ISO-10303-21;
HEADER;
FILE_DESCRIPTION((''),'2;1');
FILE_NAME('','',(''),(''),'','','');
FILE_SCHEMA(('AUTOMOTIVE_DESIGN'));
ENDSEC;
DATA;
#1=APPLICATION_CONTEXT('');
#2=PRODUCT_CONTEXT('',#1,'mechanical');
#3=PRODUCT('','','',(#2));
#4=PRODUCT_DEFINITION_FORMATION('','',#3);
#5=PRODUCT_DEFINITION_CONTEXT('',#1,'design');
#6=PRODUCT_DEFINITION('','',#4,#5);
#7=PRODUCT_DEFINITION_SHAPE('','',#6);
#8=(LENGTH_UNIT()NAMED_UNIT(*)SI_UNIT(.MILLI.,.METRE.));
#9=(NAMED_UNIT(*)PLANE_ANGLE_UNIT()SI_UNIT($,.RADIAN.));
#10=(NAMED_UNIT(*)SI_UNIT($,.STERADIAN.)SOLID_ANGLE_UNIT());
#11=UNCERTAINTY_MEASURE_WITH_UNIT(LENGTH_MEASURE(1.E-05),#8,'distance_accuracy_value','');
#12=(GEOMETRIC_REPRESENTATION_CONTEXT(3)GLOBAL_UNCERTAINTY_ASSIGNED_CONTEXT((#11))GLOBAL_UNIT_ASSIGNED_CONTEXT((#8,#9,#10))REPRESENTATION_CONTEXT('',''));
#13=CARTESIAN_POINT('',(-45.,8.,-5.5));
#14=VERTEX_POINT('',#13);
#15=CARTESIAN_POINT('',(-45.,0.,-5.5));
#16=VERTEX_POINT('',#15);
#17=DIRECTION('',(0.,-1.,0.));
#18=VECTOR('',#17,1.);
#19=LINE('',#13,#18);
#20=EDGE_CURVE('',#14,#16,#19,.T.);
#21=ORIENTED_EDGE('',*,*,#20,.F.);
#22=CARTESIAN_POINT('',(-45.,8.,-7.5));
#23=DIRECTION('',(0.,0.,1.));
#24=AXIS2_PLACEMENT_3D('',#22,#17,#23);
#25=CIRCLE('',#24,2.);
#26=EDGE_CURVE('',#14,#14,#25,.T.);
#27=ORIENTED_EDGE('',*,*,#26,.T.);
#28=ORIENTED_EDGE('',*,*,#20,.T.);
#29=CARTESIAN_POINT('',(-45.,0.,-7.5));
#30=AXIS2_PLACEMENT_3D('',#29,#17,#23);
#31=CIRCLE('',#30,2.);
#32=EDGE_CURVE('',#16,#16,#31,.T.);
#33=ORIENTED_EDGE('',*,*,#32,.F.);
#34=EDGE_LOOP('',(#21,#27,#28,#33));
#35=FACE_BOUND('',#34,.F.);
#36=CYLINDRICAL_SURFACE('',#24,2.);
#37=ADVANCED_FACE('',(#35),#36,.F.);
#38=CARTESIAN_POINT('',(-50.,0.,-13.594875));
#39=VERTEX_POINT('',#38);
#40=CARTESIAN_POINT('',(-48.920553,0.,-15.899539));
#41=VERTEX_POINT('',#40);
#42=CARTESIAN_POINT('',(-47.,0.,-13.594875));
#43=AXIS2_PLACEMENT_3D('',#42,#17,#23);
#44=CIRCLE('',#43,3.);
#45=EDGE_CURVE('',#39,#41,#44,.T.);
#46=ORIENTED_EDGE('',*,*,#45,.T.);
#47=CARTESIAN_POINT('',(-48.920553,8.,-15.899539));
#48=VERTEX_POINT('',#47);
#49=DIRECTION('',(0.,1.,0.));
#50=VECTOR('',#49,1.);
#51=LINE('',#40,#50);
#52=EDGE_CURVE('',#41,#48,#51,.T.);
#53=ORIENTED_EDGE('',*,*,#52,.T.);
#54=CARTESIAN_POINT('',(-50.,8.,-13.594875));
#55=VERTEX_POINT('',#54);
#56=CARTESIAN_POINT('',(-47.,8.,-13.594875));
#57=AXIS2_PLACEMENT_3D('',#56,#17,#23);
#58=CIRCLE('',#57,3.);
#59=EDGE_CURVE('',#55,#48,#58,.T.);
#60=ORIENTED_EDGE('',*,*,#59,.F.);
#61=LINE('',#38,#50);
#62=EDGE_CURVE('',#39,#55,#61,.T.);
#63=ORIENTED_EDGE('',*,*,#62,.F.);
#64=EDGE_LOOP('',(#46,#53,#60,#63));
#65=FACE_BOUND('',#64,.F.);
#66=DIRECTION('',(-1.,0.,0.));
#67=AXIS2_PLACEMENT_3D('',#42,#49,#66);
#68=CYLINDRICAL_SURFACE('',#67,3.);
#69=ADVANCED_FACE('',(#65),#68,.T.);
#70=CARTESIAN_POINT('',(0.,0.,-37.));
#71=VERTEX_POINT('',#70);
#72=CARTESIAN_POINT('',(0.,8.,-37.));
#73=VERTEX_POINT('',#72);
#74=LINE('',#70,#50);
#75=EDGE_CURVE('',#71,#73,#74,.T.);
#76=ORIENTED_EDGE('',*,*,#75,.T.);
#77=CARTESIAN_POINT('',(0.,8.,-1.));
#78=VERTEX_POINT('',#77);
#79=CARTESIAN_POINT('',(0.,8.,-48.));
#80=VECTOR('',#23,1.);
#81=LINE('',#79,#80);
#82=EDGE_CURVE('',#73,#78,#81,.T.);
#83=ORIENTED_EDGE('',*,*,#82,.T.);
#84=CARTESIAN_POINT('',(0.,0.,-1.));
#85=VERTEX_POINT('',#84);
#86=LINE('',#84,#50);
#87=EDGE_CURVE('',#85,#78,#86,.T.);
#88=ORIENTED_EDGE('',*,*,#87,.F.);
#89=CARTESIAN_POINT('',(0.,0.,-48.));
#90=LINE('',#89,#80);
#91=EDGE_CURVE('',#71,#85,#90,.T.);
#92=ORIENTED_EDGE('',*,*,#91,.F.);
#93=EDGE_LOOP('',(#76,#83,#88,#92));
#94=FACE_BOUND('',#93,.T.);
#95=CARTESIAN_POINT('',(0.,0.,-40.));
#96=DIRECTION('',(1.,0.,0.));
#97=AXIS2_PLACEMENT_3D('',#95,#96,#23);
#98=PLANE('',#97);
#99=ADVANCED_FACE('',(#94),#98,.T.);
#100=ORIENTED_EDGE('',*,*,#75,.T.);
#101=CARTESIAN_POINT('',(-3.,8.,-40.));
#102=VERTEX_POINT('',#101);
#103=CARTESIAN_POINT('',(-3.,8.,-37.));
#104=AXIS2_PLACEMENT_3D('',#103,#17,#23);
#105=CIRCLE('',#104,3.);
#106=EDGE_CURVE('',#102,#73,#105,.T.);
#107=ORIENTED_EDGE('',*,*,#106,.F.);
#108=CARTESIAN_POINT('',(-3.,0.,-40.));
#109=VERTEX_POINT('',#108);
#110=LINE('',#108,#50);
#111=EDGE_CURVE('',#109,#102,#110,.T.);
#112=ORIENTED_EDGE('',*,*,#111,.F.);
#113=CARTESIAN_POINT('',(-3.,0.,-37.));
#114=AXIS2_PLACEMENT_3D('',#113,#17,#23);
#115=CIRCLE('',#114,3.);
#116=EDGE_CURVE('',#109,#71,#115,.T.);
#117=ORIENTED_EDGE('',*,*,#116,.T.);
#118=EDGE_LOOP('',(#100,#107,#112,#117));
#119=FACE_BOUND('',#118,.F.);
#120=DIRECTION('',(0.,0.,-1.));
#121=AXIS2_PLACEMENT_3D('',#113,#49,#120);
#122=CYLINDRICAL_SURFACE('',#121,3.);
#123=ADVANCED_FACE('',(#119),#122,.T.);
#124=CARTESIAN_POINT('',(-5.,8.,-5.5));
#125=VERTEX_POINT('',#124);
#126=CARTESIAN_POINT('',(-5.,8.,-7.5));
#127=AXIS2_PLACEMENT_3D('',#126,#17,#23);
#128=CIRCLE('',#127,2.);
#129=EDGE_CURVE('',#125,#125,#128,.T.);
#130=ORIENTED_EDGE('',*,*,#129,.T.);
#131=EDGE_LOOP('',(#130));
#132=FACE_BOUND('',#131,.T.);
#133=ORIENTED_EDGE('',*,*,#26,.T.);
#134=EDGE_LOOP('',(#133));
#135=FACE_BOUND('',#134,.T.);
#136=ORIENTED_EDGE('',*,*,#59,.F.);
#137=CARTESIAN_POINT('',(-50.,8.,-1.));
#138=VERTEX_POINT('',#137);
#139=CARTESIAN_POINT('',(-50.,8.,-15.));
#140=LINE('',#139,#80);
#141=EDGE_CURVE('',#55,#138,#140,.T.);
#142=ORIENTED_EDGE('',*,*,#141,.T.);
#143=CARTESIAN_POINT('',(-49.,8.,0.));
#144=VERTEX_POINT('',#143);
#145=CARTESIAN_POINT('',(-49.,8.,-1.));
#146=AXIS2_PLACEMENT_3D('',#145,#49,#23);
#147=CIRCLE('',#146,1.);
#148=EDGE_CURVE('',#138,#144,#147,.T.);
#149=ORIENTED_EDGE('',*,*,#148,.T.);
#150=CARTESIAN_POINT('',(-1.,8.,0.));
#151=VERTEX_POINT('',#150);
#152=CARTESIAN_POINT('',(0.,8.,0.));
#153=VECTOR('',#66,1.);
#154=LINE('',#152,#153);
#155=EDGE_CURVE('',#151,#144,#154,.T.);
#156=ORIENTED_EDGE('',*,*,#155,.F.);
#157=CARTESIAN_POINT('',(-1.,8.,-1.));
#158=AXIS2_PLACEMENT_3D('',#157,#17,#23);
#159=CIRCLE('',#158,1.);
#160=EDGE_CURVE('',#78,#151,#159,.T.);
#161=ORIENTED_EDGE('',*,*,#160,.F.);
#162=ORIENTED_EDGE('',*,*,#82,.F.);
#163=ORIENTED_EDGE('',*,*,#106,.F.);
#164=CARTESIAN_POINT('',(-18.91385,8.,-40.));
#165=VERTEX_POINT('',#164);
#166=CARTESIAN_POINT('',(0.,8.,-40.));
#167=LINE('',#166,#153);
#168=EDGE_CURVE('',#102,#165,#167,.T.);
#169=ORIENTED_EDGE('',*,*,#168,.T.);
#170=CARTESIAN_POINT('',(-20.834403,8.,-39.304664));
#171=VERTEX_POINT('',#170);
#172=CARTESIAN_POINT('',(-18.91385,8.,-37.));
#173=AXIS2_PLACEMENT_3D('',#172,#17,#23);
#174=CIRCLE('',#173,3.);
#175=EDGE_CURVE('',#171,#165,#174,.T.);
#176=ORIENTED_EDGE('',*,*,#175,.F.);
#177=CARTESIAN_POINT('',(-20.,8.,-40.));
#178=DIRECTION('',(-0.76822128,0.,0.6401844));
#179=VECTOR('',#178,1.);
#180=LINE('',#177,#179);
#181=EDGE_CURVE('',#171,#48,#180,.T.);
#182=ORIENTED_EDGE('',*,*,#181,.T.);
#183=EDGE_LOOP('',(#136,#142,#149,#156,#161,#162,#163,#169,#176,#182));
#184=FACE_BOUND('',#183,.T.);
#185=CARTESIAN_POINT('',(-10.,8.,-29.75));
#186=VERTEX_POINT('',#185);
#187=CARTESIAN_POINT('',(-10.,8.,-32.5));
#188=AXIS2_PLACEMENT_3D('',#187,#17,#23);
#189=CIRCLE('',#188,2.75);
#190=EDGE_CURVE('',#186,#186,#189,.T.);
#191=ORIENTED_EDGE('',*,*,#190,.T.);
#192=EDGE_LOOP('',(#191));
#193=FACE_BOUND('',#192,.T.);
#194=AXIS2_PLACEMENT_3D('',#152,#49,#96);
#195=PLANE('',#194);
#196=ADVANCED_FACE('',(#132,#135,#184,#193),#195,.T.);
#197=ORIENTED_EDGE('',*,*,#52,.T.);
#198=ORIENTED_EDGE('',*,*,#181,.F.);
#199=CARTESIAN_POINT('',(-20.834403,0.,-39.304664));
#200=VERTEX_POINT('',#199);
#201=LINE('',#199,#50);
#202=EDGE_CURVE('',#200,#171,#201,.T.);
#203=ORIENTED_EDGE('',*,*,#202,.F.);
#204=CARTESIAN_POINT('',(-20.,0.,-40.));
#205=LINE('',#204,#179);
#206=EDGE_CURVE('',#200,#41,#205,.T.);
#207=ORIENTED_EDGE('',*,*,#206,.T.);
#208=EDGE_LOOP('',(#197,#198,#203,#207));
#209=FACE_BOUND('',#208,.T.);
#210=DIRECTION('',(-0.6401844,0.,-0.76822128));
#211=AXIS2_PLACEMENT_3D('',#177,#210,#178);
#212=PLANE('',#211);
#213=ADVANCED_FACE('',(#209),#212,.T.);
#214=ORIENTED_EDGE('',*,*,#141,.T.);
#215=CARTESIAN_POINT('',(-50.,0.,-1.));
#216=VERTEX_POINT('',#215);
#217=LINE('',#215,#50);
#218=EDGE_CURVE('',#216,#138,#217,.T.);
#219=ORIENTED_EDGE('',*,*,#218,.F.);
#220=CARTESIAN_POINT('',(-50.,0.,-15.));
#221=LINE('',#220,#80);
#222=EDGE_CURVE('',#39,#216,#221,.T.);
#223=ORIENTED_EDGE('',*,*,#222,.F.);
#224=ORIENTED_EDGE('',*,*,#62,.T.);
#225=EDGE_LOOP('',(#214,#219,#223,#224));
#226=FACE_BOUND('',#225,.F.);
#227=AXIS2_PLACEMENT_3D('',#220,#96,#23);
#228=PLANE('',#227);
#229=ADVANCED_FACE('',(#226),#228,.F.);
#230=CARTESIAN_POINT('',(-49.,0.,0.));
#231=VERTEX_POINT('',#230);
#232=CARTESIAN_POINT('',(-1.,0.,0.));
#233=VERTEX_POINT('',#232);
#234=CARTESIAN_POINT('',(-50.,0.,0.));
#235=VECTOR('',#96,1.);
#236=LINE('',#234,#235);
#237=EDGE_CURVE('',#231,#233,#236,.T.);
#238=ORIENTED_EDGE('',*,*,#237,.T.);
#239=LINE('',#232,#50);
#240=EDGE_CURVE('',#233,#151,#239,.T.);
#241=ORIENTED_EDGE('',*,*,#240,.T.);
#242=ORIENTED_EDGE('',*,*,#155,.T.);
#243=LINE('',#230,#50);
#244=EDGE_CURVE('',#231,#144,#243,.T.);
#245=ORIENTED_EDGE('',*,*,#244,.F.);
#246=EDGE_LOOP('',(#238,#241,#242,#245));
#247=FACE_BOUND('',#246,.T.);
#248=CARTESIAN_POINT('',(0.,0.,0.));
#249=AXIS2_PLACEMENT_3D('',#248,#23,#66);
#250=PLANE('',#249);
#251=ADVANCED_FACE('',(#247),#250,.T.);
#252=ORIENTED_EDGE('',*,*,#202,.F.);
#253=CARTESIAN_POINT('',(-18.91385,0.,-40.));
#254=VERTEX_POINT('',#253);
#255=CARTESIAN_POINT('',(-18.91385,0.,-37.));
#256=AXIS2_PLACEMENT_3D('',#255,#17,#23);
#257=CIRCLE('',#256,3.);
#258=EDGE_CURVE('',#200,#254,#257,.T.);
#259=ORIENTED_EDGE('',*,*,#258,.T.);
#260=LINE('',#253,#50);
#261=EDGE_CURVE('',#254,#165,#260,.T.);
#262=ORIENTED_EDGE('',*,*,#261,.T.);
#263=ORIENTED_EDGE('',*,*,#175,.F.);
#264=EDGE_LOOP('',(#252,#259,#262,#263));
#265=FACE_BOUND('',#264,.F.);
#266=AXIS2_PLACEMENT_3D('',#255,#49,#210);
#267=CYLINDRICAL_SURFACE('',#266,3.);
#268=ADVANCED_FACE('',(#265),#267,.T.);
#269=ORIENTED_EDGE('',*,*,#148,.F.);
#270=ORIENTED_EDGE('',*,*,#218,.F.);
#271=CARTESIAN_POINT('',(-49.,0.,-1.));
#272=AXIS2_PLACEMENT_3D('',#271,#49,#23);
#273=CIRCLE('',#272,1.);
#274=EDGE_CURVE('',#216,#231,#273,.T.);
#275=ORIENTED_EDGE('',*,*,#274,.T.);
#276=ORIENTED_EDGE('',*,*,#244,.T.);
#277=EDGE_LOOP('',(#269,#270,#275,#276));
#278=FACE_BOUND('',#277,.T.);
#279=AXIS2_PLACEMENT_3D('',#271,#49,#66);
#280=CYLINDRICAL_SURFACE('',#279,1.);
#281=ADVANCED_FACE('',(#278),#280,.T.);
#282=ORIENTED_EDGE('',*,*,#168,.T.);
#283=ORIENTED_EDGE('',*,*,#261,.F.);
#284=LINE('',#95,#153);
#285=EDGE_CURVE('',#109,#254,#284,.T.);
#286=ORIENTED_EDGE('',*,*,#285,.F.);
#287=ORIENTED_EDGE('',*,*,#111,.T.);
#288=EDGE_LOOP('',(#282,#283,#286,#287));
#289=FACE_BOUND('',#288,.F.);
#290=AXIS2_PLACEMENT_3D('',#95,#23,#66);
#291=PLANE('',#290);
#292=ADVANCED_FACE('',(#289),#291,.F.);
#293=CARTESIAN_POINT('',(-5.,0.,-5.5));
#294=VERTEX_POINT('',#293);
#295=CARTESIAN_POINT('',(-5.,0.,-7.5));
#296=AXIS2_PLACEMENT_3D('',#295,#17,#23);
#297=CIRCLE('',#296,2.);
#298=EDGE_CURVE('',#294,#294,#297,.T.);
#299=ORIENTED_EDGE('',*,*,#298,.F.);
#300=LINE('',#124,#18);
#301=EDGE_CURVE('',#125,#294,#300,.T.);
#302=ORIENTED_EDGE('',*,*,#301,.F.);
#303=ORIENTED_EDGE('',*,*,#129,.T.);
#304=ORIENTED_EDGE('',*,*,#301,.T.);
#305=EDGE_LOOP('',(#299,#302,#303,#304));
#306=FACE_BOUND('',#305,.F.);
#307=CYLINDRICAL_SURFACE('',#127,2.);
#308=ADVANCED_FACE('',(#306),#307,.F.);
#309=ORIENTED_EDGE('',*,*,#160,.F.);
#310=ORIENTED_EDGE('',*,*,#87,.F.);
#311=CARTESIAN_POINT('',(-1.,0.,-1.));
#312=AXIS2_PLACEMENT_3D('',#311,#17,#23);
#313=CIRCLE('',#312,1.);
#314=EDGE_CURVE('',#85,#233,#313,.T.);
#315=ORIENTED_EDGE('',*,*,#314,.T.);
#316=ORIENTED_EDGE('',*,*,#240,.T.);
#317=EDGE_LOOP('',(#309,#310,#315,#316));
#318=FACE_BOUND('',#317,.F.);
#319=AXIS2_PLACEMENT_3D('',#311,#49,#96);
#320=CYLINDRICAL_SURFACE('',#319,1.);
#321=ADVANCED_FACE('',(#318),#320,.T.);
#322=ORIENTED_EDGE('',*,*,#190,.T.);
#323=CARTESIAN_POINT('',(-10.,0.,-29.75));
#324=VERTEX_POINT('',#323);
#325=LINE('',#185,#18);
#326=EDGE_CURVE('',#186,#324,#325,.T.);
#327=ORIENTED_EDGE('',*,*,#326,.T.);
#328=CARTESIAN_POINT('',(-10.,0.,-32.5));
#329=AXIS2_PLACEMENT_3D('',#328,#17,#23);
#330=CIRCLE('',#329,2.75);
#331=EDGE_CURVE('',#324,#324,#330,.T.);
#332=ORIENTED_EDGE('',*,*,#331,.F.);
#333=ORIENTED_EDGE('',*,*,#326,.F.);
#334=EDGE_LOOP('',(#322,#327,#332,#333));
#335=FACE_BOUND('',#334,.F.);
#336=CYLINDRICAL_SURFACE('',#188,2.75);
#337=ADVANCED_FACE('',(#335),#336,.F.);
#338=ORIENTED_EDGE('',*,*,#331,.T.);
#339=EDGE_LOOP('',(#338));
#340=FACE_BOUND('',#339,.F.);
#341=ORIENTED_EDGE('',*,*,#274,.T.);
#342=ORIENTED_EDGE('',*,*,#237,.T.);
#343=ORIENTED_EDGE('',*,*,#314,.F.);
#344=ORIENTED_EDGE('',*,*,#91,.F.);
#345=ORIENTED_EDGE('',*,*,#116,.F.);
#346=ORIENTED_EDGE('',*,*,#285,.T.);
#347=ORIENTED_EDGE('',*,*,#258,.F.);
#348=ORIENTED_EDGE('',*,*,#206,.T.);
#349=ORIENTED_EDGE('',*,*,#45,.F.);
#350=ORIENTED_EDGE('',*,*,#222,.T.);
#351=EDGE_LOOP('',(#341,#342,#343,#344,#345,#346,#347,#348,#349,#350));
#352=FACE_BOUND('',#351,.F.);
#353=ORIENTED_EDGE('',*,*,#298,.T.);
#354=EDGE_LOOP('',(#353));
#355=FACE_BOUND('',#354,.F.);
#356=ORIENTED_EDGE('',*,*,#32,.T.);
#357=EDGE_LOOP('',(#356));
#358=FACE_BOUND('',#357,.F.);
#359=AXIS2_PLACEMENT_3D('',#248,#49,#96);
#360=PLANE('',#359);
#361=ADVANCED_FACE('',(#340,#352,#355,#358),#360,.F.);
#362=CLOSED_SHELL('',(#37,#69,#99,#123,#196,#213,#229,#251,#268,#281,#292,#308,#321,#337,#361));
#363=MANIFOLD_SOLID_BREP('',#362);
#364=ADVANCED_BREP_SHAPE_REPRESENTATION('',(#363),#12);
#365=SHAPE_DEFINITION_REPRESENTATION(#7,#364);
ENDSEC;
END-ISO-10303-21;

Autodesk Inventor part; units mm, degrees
ref_plane "YZ Plane" through (0, 0, 0) normal (1, 0, 0) x (0, 1, 0)
ref_plane "XZ Plane" through (0, 0, 0) normal (0, 1, 0) x (-1, 0, 0)
ref_plane "XY Plane" through (0, 0, 0) normal (0, 0, 1) x (1, 0, 0)
sketch "Skizze1" plane through (0, 0, 0) normal (0, 1, 0) x (-1, 0, 0)
  line L0 (0, -48) -> (0, 8) projected
  line L1 (-10, 0) -> (60, 0) projected
  line L2 (12.9651, 0) -> (0, 0)
  line L3 (0, 0) -> (0, -40)
  line L4 (0, -40) -> (20, -40)
  line L5 (20, -40) -> (20, -15)
  line L6 (20, -15) -> (50, -15)
  line L7 (50, -15) -> (50, 0)
  line L8 (50, 0) -> (12.9651, 0)
  dimension "d0" = 40
  dimension "d1" = 15
  dimension "d2" = 50
  dimension "d5" = 20
extrude "Extrusion1" add sketch "Skizze1" along normal blind 8
sketch "Skizze2" plane through (0, 8, 0) normal (0, 1, 0) x (1, 0, 0)
  line L0 (-50, 15) -> (-50, 0) construction
  line L1 (-50, 7.5) -> (0, 7.5) construction
  line L2 (0, 0) -> (0, 40) construction
  point P0 (-45, 7.5)
  point P1 (-5, 7.5)
  dimension "d8" = 40
  dimension "d9" = 5
hole "Bohrung1" at (-45, 8, -7.5) at (-5, 8, -7.5) direction (0, -1, 0) diameter 4 end through all
sketch "Skizze3" plane through (0, 8, 0) normal (0, 1, 0) x (1, 0, 0)
  line L0 (0, 40) -> (-20, 40) construction
  line L1 (-10, 40) -> (-10, 0) construction
  line L2 (-50, 0) -> (0, 0) construction
  line L3 (-20, 40) -> (-20, 15) construction
  point P0 (-10, 32.5)
  dimension "d24" = 7.5
hole "Bohrung2" at (-10, 8, -32.5) direction (0, -1, 0) diameter 5.5 end through all clearance for "Inbusschraube ISO 4762" size "M5" standard "ISO"
sketch "Skizze4" plane through (0, 8, 0) normal (0, 1, 0) x (1, 0, 0)
  line L0 (0, 40) -> (-20, 40) projected
  line L1 (-50, 15) -> (-50, 0) projected
  line L2 (-20, 40) -> (-50, 15)
  line L3 (-50, 15) -> (-20, 15)
  line L4 (-20, 40) -> (-20, 15) projected
  line L5 (-20, 15) -> (-20, 40)
  point P0 (0, 0)
extrude "Extrusion2" add sketch "Skizze4" against normal up to surface (8 mm away)
fillet "Rundung2" radius 1 2 edges at (0, 4, 0) (-50, 4, 0)
fillet "Rundung3" radius 3 3 edges at (0, 4, -40) (-20, 4, -40) (-50, 4, -15)
properties part number "21_X_Pulley_holder" material "PET-Kunststoff"
